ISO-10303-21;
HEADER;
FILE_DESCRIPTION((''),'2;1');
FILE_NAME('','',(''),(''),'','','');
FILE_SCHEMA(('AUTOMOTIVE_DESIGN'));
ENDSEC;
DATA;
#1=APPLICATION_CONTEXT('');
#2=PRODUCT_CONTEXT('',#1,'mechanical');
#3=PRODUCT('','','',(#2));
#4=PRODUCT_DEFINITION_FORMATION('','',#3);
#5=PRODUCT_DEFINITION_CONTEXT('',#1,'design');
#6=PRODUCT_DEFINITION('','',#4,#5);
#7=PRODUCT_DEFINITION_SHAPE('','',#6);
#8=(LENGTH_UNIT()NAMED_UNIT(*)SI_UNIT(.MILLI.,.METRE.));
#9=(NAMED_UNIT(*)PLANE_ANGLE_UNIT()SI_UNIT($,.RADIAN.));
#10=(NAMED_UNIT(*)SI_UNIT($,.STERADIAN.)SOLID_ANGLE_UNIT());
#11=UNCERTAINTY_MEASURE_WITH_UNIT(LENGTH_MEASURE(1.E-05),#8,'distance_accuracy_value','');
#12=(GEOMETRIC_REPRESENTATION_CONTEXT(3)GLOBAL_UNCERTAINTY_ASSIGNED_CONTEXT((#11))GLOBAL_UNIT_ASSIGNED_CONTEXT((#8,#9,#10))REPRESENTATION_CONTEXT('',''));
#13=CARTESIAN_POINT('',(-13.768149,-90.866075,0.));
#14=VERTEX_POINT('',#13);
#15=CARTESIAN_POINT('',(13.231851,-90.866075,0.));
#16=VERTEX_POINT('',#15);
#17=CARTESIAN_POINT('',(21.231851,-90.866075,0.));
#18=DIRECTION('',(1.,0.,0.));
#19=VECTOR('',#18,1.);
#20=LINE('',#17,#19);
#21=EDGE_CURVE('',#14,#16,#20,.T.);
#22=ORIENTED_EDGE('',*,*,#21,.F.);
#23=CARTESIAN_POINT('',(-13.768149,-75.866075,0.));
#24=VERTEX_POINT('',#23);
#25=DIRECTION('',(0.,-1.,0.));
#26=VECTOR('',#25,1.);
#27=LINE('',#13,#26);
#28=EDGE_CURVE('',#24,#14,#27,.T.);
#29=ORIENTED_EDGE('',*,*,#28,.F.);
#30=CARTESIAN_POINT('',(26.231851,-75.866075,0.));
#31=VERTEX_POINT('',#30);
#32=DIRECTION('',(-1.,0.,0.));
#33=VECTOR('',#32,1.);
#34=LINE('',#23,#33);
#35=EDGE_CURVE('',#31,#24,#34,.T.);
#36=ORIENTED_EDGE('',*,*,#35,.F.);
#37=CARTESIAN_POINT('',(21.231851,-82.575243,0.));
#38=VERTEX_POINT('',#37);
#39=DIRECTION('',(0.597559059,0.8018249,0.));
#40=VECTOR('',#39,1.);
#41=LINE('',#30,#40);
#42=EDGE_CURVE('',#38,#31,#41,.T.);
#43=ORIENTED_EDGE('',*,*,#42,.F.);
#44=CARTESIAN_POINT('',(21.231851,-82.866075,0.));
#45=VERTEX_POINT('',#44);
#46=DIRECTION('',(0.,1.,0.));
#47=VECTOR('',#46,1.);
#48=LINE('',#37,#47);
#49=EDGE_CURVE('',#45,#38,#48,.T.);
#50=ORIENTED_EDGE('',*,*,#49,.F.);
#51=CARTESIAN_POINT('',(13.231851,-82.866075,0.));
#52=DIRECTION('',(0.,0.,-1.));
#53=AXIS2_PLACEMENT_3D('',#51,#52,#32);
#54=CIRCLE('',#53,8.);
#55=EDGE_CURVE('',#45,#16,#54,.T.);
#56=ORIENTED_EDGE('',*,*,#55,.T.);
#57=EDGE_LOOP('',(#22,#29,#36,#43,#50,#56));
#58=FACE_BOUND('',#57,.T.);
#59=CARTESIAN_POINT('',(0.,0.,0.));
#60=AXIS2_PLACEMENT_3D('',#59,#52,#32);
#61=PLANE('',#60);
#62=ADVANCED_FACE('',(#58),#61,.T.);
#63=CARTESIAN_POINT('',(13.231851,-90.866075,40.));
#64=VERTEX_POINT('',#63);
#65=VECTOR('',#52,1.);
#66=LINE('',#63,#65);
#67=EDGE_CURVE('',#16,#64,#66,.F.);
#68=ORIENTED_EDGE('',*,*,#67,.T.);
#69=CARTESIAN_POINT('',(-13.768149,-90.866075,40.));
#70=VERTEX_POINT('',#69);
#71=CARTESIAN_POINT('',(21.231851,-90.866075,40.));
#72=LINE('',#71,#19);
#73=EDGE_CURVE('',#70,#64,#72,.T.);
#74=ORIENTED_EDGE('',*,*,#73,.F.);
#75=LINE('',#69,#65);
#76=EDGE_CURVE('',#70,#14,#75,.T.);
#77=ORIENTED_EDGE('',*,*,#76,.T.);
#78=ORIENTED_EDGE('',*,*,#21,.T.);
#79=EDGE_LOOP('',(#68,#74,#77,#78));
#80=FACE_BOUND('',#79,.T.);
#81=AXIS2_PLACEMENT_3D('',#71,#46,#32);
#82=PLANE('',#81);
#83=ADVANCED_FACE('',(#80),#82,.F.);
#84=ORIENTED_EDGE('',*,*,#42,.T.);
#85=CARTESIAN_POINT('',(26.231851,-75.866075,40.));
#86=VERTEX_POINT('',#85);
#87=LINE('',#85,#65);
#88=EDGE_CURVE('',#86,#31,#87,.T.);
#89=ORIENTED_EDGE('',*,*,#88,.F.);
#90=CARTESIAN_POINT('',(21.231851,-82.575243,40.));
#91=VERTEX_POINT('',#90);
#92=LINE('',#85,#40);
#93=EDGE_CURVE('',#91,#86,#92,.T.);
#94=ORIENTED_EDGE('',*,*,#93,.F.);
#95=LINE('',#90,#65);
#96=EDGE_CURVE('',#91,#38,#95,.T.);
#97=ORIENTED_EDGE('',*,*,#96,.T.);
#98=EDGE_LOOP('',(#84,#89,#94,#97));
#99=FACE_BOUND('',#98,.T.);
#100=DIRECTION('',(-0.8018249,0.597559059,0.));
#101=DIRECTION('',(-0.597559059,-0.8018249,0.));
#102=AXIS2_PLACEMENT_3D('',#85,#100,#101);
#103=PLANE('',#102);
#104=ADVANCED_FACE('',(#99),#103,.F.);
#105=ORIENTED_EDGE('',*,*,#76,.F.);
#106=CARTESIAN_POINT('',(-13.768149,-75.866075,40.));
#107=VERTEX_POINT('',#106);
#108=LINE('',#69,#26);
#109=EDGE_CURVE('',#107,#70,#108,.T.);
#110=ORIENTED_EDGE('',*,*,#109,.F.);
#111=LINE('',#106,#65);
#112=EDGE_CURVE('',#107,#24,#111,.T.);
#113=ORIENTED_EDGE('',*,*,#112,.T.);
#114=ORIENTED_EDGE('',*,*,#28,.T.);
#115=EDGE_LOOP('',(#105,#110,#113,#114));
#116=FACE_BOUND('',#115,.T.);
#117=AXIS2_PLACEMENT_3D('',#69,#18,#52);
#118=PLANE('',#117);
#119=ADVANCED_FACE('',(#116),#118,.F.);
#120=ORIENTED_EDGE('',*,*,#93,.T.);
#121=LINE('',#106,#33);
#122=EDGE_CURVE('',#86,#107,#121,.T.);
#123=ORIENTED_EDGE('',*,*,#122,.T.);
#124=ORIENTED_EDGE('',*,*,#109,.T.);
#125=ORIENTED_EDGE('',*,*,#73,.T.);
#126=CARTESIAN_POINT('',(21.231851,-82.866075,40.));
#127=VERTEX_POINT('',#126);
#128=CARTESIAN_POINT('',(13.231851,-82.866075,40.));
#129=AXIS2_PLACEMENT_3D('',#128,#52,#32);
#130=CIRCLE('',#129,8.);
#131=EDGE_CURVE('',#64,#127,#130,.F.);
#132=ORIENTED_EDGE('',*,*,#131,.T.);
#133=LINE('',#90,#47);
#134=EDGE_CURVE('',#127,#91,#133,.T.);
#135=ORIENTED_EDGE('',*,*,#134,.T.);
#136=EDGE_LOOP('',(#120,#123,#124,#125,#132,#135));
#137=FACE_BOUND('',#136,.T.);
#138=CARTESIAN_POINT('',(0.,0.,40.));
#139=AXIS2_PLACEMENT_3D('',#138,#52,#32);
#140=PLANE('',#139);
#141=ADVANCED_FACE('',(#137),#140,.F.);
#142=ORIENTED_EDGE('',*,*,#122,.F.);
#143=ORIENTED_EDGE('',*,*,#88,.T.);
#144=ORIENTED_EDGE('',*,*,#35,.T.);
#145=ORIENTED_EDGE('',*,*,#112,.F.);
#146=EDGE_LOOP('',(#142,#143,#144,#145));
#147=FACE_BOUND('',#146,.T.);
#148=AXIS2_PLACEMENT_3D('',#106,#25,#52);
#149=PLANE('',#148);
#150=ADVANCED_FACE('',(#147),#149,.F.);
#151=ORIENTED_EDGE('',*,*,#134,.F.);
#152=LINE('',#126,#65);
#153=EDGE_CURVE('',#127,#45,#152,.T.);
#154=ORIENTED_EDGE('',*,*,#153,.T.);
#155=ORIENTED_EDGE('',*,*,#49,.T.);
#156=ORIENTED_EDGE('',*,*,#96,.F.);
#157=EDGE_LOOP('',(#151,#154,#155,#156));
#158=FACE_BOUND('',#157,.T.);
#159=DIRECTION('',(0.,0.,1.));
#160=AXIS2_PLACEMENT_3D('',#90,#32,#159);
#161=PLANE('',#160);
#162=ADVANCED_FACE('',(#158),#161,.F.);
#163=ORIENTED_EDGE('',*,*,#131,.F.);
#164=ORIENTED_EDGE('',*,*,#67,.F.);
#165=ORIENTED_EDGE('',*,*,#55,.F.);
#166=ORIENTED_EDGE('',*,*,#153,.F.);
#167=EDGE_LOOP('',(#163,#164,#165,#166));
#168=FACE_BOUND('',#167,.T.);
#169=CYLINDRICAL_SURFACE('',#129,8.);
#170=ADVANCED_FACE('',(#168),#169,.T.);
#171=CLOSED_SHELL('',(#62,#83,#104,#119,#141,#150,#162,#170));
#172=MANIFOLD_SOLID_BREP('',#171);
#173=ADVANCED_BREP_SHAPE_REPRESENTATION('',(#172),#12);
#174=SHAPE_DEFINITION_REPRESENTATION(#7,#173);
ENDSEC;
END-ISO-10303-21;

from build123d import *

# Parameters (mm, degrees)
BOSS_EXTRUDE1_DEPTH = 40
FILLET1_R           = 8


with BuildPart() as part:
    # Sketch1 → Boss-Extrude1 (new body)
    with BuildSketch(Plane.XY):
        Polygon((-13.768148554, -75.866074504), (26.231851446, -75.866074504), (21.231851446, -82.575243148), (21.231851446, -90.866074504), (-13.768148554, -90.866074504), align=None)
    extrude(amount=BOSS_EXTRUDE1_DEPTH)

    # Fillet1
    fillet1_edges = [part.edges().sort_by_distance(p)[0] for p in [
        (21.231851446, -90.866074504, 20),
    ]]
    fillet(fillet1_edges, radius=FILLET1_R)


solid = part.part
